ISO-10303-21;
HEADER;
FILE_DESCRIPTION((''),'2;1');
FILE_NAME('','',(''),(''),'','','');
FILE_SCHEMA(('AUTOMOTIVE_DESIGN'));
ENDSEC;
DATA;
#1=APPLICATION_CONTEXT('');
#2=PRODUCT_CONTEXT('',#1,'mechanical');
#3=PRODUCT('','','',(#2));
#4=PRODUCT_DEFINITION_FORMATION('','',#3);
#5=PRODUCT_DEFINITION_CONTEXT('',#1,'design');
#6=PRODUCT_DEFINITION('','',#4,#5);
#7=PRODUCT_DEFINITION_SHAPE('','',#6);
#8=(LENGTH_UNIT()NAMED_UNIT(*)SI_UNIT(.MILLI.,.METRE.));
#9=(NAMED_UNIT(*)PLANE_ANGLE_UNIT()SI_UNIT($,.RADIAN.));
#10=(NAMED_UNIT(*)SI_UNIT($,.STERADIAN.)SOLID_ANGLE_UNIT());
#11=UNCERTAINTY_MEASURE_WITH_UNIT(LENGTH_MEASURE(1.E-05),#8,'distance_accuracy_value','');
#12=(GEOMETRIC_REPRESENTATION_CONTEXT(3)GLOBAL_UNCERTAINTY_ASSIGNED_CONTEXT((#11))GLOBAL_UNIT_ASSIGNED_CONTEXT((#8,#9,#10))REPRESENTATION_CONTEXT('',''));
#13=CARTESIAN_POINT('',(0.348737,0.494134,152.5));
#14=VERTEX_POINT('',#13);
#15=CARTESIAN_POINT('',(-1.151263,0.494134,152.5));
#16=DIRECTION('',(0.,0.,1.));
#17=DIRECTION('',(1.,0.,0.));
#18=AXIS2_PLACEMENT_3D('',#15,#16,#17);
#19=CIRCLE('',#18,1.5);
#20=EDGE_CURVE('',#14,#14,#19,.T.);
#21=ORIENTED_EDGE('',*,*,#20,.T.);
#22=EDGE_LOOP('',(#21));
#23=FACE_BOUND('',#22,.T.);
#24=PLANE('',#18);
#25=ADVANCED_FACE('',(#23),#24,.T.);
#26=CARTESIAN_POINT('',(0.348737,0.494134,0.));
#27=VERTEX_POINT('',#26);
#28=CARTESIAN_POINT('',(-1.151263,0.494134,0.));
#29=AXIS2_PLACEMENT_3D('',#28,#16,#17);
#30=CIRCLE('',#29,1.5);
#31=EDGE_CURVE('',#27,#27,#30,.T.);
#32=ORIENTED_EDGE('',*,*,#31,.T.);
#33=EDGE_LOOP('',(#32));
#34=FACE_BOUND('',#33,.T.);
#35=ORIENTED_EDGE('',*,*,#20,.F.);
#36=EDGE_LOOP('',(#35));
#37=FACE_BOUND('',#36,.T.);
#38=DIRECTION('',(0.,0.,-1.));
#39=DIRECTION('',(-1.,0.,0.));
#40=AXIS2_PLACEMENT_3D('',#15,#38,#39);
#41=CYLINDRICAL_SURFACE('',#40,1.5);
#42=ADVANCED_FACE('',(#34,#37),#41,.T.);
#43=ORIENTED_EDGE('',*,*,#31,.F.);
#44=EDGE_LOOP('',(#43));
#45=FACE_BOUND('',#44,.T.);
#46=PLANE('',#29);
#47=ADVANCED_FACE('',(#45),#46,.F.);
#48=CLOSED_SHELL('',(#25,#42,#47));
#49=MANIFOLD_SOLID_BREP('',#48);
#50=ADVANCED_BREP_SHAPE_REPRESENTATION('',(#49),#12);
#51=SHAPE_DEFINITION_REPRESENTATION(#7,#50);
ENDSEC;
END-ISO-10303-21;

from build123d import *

# Parameters (mm, degrees)
ESQUISSE1_R        = 1.5
BOSS_EXTRU_1_DEPTH = 152.5


with BuildPart() as part:
    # Esquisse1 → Boss.-Extru.1 (new body)
    with BuildSketch(Plane.XY):
        with Locations((-1.151263456, 0.494133616)):
            Circle(ESQUISSE1_R)
    extrude(amount=BOSS_EXTRU_1_DEPTH)


solid = part.part
